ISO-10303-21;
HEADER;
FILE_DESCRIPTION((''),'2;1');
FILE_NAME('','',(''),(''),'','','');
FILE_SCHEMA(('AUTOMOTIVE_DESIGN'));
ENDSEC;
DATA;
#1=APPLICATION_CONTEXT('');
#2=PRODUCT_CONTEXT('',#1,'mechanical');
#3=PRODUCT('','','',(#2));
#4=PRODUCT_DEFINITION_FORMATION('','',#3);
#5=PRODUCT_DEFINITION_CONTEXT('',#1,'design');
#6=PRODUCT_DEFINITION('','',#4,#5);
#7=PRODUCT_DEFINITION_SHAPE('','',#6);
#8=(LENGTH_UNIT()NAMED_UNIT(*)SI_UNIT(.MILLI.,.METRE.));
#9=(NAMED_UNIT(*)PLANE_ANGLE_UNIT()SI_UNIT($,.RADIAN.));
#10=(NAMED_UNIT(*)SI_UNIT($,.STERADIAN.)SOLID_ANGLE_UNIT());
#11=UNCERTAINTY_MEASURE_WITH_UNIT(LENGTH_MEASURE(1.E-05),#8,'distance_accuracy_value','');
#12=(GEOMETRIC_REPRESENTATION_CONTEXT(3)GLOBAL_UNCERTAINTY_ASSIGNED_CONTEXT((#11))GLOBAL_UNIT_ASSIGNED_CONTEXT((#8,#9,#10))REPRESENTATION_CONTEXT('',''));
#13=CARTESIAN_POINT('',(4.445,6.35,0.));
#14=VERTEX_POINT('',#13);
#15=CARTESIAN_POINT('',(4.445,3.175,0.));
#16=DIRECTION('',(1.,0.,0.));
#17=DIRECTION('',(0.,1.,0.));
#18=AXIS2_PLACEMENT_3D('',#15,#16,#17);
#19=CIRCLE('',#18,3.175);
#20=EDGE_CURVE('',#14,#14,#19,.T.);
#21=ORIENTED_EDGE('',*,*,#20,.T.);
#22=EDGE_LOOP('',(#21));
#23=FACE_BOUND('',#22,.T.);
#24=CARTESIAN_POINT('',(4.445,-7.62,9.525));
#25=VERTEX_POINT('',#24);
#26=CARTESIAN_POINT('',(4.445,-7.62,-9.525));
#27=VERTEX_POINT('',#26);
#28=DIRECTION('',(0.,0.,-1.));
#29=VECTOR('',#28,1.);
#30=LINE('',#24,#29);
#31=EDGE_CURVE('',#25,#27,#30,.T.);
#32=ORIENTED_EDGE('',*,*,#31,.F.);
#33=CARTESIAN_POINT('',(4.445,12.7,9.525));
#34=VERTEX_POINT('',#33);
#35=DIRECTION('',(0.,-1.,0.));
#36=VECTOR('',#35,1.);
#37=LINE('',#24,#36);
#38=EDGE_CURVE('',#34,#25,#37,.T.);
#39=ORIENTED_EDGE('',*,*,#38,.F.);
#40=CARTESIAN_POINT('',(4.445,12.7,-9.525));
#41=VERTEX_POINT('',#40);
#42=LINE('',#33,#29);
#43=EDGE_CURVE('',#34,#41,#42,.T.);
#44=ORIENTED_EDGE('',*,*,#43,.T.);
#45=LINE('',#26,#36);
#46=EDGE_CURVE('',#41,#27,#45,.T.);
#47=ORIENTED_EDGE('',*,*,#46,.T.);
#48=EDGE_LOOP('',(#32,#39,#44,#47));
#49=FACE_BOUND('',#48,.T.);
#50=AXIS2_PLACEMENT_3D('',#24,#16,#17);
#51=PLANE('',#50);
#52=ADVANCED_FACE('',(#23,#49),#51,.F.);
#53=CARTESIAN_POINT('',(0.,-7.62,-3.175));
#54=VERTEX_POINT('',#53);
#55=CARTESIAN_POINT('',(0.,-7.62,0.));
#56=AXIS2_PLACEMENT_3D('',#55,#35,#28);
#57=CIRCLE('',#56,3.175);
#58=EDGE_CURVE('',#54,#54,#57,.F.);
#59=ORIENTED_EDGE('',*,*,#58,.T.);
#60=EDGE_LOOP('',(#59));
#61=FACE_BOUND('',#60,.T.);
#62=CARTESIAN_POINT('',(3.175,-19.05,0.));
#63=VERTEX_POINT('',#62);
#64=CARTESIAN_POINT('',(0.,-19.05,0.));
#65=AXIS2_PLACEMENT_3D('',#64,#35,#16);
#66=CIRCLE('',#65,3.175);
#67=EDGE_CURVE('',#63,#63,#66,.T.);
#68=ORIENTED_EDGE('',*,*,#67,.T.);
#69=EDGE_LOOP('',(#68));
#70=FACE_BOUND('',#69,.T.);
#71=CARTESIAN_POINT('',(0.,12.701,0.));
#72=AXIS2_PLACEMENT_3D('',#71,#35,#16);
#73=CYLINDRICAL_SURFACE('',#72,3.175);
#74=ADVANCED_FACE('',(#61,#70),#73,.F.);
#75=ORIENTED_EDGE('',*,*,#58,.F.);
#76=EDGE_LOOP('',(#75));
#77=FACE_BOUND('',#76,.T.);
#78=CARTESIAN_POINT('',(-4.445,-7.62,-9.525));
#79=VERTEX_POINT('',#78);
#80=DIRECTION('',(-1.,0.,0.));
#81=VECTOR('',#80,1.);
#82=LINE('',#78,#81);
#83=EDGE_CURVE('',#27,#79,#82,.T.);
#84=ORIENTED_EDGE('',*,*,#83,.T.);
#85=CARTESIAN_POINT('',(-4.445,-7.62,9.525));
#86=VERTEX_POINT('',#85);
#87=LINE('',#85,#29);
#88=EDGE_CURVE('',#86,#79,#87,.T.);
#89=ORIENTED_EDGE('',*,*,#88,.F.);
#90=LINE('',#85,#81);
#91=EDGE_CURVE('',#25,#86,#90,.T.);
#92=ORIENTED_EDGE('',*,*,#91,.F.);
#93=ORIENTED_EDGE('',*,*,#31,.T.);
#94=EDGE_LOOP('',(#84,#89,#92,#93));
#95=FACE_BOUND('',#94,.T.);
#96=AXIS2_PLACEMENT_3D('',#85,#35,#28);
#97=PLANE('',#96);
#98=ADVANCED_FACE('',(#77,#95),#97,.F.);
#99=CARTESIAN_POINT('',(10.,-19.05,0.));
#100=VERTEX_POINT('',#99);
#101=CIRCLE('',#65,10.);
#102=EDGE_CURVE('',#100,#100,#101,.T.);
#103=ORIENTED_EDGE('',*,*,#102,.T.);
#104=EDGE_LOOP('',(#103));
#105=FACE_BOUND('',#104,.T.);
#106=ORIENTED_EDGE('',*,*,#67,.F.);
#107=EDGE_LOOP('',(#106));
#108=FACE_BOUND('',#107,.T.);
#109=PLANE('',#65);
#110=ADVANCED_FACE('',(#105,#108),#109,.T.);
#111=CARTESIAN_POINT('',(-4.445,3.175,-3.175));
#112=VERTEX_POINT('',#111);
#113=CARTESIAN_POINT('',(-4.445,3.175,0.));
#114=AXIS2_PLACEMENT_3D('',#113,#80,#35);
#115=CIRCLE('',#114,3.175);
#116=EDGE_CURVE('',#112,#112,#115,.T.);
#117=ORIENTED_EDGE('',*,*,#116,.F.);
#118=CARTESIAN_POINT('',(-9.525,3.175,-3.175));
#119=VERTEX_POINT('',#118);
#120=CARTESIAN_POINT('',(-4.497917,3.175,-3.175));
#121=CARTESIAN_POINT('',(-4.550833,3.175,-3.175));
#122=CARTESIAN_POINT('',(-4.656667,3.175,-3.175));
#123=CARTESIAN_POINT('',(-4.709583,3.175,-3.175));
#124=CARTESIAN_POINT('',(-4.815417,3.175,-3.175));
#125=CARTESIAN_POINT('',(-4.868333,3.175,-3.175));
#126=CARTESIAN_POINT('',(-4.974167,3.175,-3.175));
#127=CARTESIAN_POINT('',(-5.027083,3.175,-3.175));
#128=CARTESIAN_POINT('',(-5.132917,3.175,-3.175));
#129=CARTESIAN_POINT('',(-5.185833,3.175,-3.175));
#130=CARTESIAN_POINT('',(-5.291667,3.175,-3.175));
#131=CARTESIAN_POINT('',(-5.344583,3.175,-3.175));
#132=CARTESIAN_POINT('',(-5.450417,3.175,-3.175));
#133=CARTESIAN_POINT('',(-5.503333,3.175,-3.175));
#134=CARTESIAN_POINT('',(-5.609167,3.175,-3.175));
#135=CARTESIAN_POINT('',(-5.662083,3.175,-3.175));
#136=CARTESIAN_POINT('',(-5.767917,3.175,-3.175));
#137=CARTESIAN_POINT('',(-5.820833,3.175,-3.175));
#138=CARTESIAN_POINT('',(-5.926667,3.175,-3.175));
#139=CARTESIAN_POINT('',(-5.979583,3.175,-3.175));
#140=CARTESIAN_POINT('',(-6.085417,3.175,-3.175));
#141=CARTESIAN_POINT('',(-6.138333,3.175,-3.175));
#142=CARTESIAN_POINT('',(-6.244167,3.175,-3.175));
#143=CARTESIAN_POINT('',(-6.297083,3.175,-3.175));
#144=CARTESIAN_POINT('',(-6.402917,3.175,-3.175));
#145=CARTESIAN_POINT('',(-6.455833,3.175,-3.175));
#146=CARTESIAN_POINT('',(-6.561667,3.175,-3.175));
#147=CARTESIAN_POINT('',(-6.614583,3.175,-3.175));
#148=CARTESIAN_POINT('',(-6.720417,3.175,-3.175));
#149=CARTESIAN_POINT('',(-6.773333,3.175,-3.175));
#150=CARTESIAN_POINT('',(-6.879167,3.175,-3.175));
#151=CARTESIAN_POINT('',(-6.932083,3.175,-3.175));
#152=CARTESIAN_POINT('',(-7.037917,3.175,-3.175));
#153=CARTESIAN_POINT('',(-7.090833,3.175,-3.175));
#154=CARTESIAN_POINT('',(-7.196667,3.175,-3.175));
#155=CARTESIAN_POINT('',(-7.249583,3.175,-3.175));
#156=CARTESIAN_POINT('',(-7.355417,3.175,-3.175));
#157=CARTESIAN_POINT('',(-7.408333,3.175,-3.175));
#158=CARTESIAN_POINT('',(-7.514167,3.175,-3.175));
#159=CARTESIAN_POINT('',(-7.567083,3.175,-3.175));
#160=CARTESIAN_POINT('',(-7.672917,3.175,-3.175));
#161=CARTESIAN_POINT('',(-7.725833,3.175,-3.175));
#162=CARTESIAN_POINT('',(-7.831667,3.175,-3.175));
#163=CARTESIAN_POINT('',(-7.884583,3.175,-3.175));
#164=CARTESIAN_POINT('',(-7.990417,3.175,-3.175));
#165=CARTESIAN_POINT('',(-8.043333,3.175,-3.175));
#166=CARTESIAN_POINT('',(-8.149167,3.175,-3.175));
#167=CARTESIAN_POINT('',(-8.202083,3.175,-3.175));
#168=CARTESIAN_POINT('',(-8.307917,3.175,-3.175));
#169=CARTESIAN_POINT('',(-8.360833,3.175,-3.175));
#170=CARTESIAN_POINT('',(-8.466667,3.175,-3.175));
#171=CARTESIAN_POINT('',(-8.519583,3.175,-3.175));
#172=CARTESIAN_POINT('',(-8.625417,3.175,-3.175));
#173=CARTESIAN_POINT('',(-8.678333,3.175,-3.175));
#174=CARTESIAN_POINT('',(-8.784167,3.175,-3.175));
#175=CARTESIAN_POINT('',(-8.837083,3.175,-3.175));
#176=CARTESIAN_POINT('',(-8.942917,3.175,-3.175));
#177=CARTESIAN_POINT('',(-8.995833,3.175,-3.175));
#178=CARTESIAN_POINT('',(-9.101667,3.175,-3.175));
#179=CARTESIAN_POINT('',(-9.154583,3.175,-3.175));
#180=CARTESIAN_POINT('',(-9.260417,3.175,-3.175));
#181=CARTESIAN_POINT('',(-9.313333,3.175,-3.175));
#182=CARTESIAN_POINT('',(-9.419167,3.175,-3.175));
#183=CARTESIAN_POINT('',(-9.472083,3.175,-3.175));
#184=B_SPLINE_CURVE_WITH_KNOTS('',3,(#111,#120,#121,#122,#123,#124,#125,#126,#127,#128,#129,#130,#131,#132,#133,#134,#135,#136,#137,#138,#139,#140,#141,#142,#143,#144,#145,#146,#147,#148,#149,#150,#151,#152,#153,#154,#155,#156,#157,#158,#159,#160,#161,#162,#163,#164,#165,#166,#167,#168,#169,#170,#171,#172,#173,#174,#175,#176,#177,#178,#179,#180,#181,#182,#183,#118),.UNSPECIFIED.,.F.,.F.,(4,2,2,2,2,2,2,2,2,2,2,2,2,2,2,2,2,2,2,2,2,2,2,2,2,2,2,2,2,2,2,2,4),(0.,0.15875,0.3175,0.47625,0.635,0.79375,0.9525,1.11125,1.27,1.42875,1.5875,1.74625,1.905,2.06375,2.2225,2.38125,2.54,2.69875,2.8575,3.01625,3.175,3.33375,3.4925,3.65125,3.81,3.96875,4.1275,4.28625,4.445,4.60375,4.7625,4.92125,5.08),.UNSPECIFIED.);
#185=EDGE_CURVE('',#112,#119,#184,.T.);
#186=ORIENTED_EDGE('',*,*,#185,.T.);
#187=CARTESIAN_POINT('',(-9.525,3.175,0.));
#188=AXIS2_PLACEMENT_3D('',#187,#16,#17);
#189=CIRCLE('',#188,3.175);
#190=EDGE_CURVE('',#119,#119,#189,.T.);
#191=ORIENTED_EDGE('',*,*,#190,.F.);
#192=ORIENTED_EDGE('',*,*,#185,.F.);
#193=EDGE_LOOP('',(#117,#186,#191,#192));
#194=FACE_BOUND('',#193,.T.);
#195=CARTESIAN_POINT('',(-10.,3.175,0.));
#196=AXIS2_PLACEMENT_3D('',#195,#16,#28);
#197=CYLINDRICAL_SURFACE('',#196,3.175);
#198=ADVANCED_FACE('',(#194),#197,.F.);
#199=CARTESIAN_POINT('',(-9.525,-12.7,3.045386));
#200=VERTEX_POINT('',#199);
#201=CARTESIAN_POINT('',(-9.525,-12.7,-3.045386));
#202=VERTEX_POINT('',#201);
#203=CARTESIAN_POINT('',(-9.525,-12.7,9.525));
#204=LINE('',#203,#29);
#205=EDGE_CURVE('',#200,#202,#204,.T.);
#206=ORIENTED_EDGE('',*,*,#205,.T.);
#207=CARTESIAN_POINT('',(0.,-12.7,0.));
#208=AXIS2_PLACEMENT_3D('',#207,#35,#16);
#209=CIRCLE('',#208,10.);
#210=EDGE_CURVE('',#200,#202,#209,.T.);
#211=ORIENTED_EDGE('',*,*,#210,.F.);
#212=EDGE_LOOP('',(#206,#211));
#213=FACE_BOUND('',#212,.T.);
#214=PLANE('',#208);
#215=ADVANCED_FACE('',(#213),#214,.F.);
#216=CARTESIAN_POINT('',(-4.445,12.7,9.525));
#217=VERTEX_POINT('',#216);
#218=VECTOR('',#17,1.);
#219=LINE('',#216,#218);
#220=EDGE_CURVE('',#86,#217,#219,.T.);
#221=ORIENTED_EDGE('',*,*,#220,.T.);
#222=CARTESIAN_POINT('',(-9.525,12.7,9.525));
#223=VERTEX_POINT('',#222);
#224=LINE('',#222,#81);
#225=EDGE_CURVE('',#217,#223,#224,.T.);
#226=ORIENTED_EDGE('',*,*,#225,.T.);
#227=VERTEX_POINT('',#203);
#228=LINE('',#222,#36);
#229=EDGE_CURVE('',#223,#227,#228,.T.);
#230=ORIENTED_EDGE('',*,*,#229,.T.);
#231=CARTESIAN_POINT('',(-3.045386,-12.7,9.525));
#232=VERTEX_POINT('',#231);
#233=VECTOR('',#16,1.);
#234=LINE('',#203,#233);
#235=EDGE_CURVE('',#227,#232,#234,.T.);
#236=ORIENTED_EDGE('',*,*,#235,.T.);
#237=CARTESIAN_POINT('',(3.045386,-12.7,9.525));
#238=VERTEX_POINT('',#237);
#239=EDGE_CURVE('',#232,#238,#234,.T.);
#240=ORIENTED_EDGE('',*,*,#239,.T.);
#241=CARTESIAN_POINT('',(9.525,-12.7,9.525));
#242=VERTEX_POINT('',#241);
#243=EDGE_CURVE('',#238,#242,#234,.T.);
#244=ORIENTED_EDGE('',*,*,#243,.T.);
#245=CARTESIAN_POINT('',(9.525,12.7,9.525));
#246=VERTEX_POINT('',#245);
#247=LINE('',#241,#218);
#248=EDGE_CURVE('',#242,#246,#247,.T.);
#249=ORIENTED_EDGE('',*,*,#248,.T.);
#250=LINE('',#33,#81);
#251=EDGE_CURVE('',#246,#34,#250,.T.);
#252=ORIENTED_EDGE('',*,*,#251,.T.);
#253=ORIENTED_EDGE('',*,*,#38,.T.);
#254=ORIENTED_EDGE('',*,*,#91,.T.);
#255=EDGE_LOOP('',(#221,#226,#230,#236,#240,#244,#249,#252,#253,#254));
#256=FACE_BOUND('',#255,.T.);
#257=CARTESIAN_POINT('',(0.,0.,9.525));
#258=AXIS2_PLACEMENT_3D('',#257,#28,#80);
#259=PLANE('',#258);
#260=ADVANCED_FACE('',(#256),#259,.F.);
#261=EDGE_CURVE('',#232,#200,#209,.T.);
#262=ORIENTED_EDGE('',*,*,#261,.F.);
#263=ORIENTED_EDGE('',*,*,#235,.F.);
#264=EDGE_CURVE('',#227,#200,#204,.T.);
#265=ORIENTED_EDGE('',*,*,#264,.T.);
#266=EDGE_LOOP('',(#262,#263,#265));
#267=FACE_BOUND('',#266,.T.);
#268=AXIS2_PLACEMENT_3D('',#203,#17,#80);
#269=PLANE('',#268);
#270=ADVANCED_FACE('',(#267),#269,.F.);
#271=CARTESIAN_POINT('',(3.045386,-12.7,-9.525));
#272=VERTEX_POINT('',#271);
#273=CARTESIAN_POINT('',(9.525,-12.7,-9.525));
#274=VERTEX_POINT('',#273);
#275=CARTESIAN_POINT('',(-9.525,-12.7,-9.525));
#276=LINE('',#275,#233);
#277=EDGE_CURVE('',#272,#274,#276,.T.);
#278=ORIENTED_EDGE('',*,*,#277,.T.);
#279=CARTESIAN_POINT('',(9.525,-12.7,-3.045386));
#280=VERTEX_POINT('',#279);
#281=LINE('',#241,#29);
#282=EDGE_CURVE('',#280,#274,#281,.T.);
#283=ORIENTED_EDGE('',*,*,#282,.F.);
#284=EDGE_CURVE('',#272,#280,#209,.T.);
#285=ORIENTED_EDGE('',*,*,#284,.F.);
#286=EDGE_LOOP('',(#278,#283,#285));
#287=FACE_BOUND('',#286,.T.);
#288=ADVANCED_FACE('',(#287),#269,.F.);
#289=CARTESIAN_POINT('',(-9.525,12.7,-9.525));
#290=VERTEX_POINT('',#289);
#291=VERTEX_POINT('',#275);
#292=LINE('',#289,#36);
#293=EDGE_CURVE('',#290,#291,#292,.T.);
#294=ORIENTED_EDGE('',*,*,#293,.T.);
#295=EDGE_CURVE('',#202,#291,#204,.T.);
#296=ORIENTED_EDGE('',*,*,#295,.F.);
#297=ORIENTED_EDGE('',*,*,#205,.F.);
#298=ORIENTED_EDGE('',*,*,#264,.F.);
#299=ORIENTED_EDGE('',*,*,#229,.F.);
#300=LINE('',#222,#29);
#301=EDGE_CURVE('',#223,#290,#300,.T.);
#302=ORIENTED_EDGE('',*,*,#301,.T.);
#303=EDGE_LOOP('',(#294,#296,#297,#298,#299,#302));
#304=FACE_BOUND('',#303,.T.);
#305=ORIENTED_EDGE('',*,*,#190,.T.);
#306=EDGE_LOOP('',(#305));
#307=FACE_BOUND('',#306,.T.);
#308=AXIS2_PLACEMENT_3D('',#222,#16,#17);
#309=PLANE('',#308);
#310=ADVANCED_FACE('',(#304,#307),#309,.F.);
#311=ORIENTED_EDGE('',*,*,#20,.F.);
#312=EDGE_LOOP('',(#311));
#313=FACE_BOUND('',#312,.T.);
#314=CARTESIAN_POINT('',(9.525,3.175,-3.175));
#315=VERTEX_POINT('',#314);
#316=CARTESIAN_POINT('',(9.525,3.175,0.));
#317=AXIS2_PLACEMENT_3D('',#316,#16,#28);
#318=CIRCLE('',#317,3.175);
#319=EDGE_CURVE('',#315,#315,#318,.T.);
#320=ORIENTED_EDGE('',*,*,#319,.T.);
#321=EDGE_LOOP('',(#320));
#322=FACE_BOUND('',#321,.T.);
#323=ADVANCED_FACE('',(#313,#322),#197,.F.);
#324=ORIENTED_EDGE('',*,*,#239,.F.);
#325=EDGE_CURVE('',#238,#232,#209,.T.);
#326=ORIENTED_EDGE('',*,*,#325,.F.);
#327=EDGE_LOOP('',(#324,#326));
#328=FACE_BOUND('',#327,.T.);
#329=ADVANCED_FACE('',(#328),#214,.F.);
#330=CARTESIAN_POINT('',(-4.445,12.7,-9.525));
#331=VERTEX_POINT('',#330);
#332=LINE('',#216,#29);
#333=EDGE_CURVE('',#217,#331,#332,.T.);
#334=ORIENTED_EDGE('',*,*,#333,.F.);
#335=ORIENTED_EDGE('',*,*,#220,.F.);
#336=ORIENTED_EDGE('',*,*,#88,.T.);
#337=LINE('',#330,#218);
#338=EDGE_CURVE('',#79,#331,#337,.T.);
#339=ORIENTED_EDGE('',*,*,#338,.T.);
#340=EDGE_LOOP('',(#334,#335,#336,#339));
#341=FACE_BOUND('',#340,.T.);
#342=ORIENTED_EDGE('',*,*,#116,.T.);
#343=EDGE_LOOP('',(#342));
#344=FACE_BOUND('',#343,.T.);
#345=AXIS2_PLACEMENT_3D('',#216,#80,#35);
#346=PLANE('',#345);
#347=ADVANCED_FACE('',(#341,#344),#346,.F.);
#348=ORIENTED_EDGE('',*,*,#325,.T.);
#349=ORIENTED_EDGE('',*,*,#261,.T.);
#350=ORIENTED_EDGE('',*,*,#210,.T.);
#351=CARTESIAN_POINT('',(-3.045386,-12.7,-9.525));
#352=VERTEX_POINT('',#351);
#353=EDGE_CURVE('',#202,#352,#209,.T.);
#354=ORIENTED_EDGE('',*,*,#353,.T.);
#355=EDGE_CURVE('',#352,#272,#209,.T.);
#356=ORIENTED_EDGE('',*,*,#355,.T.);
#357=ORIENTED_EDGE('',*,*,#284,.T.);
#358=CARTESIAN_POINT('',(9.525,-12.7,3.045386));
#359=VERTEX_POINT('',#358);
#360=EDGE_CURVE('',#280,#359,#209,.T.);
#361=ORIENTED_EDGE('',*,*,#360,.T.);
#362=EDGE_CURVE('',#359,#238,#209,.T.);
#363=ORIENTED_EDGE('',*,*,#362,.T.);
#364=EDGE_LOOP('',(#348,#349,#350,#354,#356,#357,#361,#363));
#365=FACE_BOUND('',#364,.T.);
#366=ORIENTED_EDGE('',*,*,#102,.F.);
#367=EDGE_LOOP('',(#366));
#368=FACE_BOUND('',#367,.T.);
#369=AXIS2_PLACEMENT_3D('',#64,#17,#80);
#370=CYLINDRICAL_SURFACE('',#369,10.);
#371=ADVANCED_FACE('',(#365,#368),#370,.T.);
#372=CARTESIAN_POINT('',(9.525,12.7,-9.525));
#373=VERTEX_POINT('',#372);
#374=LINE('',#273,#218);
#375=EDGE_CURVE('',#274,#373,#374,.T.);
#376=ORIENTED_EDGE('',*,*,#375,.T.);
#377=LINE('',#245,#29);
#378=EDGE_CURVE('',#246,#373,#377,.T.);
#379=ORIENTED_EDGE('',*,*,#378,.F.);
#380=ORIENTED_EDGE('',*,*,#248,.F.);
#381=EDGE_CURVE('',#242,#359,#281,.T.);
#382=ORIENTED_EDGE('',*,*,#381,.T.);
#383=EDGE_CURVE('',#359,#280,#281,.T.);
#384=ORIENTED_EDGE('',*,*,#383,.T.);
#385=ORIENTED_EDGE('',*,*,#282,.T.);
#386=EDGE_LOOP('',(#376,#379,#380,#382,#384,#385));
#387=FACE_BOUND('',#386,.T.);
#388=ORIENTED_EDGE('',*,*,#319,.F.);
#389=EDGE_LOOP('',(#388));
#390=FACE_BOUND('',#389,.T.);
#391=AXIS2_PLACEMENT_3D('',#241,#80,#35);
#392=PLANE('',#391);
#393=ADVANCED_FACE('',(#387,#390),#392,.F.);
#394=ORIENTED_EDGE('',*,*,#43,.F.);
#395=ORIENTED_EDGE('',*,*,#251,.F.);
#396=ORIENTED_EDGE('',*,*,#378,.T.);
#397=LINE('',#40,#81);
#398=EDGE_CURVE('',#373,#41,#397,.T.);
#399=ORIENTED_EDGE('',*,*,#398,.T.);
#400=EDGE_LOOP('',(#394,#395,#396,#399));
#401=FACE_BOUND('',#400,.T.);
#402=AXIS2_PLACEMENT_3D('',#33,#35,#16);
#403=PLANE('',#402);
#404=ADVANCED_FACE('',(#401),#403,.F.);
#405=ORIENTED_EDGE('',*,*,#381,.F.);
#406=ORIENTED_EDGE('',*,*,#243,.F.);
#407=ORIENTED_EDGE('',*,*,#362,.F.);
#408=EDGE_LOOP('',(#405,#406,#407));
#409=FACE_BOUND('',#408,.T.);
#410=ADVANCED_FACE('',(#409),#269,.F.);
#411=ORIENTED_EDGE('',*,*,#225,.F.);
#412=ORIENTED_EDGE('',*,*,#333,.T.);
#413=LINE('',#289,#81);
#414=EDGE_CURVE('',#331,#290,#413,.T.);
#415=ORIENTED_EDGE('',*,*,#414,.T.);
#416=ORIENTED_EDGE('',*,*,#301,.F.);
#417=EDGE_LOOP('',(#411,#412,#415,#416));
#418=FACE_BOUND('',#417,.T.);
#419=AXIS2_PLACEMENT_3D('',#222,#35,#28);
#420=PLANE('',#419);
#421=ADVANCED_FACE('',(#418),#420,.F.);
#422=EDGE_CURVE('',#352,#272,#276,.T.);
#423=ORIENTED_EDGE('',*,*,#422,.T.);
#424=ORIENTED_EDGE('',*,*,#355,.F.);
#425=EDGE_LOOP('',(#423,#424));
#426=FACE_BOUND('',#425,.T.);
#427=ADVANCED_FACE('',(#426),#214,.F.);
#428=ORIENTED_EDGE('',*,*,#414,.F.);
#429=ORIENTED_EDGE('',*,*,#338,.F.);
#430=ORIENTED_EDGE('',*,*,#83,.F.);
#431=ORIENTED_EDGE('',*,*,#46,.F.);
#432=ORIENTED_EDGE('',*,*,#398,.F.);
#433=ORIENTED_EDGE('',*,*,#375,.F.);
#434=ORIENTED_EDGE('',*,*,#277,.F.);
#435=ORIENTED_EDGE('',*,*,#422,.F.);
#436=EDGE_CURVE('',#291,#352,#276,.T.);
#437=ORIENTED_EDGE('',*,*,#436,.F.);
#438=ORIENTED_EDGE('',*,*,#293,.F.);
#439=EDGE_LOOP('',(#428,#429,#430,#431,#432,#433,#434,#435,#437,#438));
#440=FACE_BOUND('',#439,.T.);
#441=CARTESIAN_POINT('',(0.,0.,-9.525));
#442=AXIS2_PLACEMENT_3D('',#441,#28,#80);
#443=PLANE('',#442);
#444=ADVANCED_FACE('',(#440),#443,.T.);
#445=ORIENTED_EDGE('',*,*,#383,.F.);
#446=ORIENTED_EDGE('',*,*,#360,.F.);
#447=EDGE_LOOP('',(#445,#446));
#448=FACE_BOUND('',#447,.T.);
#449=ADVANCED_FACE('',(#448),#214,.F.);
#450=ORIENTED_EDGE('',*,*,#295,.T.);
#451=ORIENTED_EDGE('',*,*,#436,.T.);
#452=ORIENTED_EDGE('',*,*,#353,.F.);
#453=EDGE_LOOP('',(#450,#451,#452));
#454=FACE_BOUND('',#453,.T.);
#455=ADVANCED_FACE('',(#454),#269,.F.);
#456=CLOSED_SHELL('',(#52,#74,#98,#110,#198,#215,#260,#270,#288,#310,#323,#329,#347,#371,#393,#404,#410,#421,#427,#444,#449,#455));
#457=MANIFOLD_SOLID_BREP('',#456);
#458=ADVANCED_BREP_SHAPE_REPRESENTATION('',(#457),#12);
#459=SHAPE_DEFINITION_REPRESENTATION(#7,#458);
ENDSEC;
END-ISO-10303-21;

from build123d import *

# Parameters (mm, degrees)
BOSS_EXTRUDE1_DEPTH = 9.525
SKETCH2_R           = 10
BOSS_EXTRUDE2_DEPTH = 6.35
CUT_EXTRUDE1_REACH  = 36.757
SKETCH3_R           = 3.175
SKETCH4_R           = 3.175
CUT_EXTRUDE2_DEPTH  = 30.053883131


with BuildPart() as part:
    # Sketch1 → Boss-Extrude1 (new, symmetric)
    with BuildSketch(Plane.XY):
        Polygon((-9.525, 12.7), (-9.525, -12.7), (9.525, -12.7), (9.525, 12.7), (4.445, 12.7), (4.445, -7.62), (-4.445, -7.62), (-4.445, 12.7), align=None)
    extrude(amount=BOSS_EXTRUDE1_DEPTH, both=True)

    # Sketch2 → Boss-Extrude2 (add)
    with BuildSketch(Plane.XZ.offset(12.7)):
        Circle(SKETCH2_R)
    extrude(amount=BOSS_EXTRUDE2_DEPTH)

    # Sketch3 → Cut-Extrude1 (cut, up to next)
    with BuildSketch(Plane.XZ.offset(19.05), mode=Mode.PRIVATE) as cut_extrude1_sk1:
        Circle(SKETCH3_R)
    cut_extrude1_tool1 = extrude(cut_extrude1_sk1.sketch, amount=-CUT_EXTRUDE1_REACH, mode=Mode.PRIVATE) & part.part
    add(cut_extrude1_tool1.solids().sort_by_distance((0, -19.05, 0))[0], mode=Mode.SUBTRACT)

    # Sketch4 → Cut-Extrude2 (cut, through all)
    with BuildSketch(Plane(origin=(9.525, 0, 0), x_dir=(0, 0, -1), z_dir=(1, 0, 0))):
        with Locations((0, 3.175)):
            Circle(SKETCH4_R)
    extrude(amount=-CUT_EXTRUDE2_DEPTH, mode=Mode.SUBTRACT)


solid = part.part
